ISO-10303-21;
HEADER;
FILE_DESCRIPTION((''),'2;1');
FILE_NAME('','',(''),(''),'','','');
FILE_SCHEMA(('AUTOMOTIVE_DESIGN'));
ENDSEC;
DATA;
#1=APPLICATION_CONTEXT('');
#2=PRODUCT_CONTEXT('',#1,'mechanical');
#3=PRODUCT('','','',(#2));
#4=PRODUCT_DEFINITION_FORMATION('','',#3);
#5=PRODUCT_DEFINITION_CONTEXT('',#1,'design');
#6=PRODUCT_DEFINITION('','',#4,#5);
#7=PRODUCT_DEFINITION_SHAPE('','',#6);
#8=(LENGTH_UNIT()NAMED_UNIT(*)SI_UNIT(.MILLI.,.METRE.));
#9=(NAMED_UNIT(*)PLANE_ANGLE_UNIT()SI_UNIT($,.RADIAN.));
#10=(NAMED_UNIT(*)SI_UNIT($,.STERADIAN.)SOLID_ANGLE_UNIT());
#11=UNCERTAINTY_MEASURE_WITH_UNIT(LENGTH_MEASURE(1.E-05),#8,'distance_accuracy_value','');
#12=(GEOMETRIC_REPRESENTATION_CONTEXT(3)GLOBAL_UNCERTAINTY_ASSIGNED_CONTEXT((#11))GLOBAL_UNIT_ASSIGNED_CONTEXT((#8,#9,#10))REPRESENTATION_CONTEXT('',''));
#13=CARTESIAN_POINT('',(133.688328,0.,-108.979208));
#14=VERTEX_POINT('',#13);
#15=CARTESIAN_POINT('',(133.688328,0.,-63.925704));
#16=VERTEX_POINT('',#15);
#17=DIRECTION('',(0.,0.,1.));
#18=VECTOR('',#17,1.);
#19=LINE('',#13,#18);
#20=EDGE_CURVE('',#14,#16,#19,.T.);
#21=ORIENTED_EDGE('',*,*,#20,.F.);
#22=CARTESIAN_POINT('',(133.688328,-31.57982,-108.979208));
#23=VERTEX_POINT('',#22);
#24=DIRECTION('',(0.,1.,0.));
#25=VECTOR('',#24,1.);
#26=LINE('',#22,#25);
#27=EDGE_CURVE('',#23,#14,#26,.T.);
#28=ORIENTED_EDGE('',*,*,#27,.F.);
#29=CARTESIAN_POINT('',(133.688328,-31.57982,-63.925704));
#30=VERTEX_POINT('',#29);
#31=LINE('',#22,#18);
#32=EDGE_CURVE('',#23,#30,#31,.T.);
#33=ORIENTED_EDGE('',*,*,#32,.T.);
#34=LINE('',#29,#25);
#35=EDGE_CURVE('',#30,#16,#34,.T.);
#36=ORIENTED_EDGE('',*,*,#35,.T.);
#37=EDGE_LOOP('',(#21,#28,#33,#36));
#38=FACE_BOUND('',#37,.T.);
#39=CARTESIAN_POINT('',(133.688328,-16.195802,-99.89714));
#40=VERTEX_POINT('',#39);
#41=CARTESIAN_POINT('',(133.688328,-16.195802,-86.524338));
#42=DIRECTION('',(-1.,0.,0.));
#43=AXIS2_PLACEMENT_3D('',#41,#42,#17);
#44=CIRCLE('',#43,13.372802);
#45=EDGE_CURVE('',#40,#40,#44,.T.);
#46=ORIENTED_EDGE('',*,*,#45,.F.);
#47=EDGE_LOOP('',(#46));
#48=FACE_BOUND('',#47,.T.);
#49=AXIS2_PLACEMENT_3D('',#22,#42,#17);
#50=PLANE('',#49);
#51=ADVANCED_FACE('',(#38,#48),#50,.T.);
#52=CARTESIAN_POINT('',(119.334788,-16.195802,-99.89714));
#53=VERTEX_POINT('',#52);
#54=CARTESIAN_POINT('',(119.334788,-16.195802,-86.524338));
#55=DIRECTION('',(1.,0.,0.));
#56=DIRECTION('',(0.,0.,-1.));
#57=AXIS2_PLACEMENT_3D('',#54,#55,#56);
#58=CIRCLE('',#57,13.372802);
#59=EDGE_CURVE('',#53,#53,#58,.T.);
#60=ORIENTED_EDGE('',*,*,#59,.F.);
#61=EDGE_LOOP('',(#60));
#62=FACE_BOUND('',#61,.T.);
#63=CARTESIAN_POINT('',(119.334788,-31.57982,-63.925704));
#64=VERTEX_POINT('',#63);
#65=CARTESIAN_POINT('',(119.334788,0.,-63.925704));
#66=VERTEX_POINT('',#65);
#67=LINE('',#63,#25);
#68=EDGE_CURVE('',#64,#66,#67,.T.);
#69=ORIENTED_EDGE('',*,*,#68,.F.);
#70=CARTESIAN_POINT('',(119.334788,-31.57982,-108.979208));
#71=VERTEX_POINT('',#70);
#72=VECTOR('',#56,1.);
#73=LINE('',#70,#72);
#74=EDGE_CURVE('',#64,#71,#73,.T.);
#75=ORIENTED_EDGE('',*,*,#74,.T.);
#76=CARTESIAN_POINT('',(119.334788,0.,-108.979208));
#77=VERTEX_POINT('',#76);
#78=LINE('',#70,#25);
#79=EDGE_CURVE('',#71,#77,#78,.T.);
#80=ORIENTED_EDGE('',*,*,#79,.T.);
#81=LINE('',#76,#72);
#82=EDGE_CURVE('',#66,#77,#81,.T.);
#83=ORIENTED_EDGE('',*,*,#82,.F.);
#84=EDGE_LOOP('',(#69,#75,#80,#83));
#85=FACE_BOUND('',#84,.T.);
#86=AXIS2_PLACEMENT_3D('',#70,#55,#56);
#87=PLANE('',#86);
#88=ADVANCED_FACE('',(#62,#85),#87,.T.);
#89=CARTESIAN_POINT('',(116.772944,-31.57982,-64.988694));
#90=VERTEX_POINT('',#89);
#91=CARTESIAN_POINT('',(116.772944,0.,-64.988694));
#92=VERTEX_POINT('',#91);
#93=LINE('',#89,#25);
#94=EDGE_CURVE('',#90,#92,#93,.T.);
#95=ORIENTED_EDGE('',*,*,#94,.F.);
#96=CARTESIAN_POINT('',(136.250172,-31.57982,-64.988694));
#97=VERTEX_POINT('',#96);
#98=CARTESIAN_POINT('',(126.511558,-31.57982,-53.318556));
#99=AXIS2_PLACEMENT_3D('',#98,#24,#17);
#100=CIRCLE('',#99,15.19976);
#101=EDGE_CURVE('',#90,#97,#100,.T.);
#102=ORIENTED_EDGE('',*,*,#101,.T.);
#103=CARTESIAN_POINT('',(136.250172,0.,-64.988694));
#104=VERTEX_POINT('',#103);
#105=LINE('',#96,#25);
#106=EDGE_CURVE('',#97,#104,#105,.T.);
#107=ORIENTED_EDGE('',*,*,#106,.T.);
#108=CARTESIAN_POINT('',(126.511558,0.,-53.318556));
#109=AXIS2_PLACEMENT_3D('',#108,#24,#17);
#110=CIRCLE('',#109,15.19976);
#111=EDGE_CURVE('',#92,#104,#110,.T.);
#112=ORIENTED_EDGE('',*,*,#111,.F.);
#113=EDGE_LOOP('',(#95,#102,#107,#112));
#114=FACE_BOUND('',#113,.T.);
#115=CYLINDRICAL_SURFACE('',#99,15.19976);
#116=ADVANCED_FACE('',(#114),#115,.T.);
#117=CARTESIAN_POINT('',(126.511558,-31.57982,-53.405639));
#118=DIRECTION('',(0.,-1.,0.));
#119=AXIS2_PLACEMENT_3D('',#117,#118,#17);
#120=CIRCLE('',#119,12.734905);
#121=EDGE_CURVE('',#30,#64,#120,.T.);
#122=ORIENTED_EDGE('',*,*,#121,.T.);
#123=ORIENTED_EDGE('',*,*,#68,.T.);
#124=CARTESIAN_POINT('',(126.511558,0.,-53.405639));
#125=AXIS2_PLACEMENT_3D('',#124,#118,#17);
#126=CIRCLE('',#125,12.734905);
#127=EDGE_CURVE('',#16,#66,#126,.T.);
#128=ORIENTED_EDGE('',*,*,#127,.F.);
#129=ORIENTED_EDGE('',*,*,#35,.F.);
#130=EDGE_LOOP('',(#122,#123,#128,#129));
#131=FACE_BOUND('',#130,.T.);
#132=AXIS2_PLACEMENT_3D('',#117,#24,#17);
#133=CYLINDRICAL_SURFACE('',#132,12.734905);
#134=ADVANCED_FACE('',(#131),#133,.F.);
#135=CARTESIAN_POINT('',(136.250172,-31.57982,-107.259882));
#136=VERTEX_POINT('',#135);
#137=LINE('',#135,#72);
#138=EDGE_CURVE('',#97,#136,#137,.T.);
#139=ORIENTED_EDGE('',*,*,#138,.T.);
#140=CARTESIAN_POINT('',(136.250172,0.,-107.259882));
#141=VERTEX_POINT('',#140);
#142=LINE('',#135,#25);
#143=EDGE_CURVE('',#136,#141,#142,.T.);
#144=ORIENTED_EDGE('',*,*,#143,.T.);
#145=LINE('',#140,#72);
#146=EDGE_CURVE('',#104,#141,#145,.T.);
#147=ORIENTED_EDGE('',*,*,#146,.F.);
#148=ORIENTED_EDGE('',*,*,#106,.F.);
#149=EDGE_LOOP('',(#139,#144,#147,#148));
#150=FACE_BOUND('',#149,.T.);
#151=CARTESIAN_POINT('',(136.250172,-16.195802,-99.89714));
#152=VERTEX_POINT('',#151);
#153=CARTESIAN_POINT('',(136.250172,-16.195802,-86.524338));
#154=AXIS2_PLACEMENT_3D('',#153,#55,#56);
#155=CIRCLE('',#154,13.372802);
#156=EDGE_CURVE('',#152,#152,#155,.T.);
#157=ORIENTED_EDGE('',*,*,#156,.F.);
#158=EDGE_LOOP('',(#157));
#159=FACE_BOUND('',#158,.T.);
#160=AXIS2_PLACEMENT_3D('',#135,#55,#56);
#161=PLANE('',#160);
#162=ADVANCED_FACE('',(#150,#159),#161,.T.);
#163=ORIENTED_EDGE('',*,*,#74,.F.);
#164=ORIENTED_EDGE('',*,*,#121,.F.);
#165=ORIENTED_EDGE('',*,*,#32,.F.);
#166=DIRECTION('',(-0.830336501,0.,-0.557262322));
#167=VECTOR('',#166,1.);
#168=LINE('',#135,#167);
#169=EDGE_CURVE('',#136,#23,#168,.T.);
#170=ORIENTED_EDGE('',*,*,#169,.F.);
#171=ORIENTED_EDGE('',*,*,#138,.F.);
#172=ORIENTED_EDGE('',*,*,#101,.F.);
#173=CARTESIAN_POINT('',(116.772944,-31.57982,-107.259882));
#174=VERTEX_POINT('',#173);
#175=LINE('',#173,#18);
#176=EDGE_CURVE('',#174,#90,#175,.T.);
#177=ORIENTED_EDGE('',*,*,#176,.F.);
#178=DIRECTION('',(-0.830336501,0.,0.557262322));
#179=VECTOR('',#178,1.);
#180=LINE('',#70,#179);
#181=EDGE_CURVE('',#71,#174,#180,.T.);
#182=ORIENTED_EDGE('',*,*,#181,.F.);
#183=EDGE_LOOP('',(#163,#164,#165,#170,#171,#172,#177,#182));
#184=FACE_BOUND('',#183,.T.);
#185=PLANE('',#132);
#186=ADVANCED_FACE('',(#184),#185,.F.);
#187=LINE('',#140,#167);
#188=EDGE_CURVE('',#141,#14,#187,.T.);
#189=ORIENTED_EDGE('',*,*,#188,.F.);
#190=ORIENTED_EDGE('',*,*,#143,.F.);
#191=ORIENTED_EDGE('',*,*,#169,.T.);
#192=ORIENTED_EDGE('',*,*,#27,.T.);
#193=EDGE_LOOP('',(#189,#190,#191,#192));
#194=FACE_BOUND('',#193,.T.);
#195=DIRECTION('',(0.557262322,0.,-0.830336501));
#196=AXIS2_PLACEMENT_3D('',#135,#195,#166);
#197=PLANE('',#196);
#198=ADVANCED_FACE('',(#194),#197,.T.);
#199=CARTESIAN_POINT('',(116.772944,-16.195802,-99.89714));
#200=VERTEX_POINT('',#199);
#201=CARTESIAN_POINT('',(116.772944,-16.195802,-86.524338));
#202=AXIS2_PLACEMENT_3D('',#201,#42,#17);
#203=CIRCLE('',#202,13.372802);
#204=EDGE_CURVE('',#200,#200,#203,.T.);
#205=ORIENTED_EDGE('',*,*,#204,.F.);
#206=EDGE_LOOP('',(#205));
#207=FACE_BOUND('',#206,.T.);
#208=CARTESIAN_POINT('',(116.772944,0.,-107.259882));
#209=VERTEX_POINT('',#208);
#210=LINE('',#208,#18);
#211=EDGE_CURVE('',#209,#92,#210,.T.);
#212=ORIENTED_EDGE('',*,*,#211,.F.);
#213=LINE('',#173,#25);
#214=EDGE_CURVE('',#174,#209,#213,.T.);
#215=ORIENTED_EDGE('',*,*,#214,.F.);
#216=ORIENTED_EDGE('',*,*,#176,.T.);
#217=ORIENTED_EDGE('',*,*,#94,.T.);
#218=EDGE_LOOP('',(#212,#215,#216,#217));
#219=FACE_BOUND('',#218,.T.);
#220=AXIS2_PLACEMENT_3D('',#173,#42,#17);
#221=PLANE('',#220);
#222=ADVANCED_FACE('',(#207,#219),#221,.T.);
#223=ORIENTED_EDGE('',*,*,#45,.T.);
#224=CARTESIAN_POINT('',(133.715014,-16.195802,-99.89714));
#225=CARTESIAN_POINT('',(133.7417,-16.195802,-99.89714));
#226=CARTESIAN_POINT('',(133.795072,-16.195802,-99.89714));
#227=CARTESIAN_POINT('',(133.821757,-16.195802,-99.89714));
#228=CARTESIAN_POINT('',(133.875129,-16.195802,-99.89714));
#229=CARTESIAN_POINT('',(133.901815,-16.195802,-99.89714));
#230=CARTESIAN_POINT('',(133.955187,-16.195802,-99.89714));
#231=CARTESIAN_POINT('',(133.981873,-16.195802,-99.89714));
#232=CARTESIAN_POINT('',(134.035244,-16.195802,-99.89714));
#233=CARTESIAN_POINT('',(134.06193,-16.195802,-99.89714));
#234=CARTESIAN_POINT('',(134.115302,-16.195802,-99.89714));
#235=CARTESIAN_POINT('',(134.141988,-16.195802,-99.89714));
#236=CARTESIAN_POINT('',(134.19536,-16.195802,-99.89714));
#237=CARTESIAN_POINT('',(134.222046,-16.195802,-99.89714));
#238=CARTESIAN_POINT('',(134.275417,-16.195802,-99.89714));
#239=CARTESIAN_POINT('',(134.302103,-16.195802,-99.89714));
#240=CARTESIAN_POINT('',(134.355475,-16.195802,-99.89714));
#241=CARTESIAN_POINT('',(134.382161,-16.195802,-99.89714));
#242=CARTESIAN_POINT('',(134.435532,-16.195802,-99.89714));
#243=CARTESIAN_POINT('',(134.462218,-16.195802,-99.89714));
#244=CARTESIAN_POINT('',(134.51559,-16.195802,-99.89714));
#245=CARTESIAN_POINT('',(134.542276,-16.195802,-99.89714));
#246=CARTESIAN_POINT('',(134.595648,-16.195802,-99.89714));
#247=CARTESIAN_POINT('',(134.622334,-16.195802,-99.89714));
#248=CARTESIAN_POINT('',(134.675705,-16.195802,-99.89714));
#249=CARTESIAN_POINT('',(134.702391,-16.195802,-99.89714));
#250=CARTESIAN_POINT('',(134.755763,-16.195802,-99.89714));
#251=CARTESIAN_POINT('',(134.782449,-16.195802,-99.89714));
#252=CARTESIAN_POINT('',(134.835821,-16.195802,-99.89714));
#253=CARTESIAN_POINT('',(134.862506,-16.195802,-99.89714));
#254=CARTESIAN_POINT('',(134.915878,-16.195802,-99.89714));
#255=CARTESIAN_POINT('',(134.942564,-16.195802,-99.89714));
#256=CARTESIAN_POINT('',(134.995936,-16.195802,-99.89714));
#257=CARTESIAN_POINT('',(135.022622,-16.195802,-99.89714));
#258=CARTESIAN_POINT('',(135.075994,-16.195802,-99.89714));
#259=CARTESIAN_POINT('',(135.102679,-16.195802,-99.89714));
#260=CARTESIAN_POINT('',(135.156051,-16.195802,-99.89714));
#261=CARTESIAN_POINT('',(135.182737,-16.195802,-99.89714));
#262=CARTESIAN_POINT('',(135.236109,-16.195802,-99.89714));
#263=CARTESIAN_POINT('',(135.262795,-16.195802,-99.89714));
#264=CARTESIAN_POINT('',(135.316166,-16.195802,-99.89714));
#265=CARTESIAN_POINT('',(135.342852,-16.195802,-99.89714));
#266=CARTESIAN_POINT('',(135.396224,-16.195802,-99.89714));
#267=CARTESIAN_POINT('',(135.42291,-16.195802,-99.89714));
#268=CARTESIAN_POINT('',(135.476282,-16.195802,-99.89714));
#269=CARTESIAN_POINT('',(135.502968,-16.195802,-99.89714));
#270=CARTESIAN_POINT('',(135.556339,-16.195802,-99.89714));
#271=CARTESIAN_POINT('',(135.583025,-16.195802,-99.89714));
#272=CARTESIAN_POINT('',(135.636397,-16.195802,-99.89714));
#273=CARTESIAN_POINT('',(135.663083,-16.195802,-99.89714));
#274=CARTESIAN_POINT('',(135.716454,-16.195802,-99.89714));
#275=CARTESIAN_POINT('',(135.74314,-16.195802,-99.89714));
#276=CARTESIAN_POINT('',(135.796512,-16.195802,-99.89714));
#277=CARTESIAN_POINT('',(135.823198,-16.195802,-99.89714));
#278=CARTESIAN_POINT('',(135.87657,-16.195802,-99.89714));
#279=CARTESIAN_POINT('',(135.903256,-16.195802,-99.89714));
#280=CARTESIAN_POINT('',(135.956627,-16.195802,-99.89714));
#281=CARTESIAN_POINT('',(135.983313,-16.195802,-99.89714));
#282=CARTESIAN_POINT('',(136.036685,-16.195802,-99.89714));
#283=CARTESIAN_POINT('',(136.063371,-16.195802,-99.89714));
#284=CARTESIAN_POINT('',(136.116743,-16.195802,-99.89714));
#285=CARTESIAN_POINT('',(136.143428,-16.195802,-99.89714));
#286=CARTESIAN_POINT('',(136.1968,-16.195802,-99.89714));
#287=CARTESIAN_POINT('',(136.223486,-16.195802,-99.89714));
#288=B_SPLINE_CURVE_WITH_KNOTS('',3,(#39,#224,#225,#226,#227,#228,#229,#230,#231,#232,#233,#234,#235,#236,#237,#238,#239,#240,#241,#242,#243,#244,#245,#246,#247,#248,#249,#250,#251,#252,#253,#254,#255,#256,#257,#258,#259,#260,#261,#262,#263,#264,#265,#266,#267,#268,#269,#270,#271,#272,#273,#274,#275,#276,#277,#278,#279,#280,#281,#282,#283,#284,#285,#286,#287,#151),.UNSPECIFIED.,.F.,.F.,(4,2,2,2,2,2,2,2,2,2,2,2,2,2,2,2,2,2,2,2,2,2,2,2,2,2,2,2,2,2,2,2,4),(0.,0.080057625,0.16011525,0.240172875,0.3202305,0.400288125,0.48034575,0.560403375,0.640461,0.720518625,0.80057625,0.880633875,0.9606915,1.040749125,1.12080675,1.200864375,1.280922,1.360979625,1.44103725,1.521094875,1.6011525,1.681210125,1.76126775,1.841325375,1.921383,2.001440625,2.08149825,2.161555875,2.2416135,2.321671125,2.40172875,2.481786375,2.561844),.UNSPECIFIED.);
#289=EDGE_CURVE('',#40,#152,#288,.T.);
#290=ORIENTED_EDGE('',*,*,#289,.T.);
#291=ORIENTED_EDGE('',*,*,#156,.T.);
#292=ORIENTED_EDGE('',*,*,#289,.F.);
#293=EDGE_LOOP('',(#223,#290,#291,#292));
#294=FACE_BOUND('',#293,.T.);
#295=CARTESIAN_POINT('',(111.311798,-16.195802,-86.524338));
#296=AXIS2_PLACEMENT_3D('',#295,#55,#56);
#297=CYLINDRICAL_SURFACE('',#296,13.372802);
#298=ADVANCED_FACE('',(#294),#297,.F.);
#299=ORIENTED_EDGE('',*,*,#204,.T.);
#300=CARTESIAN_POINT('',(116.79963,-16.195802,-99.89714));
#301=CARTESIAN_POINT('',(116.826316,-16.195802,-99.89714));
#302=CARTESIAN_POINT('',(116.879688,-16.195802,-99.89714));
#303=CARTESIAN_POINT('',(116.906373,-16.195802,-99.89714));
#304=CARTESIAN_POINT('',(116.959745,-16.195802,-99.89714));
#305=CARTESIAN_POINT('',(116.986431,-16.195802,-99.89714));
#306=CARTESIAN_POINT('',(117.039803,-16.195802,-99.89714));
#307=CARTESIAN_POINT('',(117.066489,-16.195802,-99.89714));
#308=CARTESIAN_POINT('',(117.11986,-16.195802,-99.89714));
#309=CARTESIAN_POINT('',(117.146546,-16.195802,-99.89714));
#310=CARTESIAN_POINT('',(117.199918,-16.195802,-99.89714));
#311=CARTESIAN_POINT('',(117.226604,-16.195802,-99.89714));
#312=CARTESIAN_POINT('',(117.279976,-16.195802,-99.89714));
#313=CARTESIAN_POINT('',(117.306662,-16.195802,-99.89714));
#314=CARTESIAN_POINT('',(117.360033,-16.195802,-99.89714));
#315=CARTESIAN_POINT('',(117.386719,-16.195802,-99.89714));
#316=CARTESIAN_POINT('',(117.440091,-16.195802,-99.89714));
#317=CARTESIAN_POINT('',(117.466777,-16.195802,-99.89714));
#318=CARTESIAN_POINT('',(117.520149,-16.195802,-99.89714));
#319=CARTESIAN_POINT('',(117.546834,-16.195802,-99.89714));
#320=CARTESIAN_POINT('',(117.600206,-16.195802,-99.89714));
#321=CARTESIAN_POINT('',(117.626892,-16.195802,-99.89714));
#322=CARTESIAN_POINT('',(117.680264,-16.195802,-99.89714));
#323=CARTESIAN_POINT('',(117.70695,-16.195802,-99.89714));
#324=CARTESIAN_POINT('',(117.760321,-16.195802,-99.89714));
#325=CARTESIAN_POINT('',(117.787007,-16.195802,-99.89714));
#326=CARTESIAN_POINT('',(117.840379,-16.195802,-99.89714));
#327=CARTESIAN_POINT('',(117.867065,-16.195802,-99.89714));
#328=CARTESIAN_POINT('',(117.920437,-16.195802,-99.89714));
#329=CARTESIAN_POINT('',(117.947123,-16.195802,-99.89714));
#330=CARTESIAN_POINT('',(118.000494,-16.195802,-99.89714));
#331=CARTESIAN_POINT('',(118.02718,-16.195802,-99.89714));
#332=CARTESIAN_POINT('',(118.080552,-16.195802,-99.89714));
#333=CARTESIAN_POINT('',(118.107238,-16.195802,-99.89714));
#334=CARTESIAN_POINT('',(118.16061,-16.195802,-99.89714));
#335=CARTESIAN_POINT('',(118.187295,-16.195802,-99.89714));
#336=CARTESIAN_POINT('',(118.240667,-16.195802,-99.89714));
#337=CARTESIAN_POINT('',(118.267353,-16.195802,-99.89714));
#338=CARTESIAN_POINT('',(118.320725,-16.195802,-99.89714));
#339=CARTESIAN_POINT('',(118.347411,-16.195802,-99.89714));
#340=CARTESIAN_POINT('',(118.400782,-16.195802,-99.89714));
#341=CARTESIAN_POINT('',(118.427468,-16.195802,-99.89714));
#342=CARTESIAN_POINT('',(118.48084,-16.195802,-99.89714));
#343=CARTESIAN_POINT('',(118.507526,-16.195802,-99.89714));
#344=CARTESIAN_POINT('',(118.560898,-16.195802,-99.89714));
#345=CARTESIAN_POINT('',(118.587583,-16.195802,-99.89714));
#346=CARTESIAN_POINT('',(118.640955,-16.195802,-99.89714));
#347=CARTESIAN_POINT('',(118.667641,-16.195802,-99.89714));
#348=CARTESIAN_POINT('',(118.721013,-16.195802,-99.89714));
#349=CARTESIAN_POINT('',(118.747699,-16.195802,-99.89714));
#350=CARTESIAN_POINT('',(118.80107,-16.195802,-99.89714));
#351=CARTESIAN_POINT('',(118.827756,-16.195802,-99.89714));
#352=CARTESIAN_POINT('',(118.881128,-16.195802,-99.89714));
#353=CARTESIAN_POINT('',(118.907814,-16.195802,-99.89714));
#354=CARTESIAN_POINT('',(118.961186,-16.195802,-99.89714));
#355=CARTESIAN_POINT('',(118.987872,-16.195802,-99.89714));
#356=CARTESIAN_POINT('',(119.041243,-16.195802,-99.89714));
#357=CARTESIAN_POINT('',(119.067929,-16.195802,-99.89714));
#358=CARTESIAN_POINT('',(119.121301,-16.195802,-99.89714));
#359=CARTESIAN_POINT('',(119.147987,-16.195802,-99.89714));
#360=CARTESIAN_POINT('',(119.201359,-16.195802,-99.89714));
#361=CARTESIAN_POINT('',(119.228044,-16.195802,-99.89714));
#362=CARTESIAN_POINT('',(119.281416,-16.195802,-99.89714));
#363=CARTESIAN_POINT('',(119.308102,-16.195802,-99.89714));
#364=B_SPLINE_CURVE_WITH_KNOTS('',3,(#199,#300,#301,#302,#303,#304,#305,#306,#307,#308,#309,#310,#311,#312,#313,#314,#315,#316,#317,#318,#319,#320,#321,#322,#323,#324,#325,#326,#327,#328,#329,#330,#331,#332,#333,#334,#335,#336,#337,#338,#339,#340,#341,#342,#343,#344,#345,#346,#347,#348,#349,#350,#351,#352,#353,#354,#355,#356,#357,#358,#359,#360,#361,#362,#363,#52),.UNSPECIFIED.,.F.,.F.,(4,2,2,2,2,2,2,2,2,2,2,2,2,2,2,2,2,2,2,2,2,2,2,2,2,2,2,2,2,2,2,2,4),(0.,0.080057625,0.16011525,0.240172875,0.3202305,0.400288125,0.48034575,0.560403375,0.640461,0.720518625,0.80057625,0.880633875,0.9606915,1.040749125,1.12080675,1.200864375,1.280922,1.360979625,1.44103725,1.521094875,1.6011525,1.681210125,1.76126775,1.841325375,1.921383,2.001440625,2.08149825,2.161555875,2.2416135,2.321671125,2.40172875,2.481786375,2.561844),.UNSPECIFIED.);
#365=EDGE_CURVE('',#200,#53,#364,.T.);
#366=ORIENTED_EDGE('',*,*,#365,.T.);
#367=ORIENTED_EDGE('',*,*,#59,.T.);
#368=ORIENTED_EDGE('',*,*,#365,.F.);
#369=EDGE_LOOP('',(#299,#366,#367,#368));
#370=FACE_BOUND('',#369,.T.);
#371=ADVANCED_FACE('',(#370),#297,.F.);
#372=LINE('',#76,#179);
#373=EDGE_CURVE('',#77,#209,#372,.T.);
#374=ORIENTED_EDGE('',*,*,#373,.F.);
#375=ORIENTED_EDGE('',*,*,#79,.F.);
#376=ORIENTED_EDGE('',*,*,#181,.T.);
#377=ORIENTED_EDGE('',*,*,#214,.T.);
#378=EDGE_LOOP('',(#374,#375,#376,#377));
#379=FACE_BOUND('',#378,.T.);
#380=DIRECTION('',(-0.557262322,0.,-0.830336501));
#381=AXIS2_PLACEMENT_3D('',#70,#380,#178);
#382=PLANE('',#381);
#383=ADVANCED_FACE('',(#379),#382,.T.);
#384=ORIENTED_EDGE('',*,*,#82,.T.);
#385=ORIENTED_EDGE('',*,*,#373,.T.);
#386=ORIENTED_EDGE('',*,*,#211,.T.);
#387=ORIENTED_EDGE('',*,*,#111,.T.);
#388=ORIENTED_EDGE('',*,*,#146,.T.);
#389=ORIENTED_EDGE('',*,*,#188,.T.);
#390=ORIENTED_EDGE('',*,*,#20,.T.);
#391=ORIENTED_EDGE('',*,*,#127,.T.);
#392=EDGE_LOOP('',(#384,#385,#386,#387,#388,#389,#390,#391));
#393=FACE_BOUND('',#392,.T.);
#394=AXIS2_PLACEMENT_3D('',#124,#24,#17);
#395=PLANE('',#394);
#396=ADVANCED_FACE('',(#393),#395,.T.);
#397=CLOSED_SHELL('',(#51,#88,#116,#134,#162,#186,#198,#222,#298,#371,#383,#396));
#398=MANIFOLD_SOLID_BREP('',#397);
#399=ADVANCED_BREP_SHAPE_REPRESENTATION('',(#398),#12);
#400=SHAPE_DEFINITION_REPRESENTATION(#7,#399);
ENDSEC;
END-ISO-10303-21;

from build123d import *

# Parameters (mm, degrees)
BOSS_EXTRUDE1_DEPTH = 31.57982
SKETCH2_R           = 13.372801857
CUT_EXTRUDE1_DEPTH  = 117.170888451


with BuildPart() as part:
    # Sketch1 → Boss-Extrude1 (new body)
    with BuildSketch(Plane(origin=(0, 0, 0), x_dir=(1, 0, 0), z_dir=(0, 1, 0))):
        with BuildLine():
            Line((136.250172, 107.259882), (136.250172, 64.988694))
            ThreePointArc((136.250172, 64.988694), (126.511558, 38.118796), (116.772944, 64.988694))
            Line((116.772944, 64.988694), (116.772944, 107.259882))
            Line((116.772944, 107.259882), (119.334788, 108.979208))
            Line((119.334788, 108.979208), (119.334788, 63.925704))
            ThreePointArc((119.334788, 63.925704), (126.511558, 40.670734), (133.688328, 63.925704))
            Line((133.688328, 63.925704), (133.688328, 108.979208))
            Line((133.688328, 108.979208), (136.250172, 107.259882))
        make_face()
    extrude(amount=-BOSS_EXTRUDE1_DEPTH)

    # Sketch2 → Cut-Extrude1 (cut, through all)
    with BuildSketch(Plane(origin=(136.250172, 0, 0), x_dir=(0, 0, -1), z_dir=(1, 0, 0))):
        with Locations((86.524338, -16.195802)):
            Circle(SKETCH2_R)
    extrude(amount=-CUT_EXTRUDE1_DEPTH, mode=Mode.SUBTRACT)


solid = part.part
